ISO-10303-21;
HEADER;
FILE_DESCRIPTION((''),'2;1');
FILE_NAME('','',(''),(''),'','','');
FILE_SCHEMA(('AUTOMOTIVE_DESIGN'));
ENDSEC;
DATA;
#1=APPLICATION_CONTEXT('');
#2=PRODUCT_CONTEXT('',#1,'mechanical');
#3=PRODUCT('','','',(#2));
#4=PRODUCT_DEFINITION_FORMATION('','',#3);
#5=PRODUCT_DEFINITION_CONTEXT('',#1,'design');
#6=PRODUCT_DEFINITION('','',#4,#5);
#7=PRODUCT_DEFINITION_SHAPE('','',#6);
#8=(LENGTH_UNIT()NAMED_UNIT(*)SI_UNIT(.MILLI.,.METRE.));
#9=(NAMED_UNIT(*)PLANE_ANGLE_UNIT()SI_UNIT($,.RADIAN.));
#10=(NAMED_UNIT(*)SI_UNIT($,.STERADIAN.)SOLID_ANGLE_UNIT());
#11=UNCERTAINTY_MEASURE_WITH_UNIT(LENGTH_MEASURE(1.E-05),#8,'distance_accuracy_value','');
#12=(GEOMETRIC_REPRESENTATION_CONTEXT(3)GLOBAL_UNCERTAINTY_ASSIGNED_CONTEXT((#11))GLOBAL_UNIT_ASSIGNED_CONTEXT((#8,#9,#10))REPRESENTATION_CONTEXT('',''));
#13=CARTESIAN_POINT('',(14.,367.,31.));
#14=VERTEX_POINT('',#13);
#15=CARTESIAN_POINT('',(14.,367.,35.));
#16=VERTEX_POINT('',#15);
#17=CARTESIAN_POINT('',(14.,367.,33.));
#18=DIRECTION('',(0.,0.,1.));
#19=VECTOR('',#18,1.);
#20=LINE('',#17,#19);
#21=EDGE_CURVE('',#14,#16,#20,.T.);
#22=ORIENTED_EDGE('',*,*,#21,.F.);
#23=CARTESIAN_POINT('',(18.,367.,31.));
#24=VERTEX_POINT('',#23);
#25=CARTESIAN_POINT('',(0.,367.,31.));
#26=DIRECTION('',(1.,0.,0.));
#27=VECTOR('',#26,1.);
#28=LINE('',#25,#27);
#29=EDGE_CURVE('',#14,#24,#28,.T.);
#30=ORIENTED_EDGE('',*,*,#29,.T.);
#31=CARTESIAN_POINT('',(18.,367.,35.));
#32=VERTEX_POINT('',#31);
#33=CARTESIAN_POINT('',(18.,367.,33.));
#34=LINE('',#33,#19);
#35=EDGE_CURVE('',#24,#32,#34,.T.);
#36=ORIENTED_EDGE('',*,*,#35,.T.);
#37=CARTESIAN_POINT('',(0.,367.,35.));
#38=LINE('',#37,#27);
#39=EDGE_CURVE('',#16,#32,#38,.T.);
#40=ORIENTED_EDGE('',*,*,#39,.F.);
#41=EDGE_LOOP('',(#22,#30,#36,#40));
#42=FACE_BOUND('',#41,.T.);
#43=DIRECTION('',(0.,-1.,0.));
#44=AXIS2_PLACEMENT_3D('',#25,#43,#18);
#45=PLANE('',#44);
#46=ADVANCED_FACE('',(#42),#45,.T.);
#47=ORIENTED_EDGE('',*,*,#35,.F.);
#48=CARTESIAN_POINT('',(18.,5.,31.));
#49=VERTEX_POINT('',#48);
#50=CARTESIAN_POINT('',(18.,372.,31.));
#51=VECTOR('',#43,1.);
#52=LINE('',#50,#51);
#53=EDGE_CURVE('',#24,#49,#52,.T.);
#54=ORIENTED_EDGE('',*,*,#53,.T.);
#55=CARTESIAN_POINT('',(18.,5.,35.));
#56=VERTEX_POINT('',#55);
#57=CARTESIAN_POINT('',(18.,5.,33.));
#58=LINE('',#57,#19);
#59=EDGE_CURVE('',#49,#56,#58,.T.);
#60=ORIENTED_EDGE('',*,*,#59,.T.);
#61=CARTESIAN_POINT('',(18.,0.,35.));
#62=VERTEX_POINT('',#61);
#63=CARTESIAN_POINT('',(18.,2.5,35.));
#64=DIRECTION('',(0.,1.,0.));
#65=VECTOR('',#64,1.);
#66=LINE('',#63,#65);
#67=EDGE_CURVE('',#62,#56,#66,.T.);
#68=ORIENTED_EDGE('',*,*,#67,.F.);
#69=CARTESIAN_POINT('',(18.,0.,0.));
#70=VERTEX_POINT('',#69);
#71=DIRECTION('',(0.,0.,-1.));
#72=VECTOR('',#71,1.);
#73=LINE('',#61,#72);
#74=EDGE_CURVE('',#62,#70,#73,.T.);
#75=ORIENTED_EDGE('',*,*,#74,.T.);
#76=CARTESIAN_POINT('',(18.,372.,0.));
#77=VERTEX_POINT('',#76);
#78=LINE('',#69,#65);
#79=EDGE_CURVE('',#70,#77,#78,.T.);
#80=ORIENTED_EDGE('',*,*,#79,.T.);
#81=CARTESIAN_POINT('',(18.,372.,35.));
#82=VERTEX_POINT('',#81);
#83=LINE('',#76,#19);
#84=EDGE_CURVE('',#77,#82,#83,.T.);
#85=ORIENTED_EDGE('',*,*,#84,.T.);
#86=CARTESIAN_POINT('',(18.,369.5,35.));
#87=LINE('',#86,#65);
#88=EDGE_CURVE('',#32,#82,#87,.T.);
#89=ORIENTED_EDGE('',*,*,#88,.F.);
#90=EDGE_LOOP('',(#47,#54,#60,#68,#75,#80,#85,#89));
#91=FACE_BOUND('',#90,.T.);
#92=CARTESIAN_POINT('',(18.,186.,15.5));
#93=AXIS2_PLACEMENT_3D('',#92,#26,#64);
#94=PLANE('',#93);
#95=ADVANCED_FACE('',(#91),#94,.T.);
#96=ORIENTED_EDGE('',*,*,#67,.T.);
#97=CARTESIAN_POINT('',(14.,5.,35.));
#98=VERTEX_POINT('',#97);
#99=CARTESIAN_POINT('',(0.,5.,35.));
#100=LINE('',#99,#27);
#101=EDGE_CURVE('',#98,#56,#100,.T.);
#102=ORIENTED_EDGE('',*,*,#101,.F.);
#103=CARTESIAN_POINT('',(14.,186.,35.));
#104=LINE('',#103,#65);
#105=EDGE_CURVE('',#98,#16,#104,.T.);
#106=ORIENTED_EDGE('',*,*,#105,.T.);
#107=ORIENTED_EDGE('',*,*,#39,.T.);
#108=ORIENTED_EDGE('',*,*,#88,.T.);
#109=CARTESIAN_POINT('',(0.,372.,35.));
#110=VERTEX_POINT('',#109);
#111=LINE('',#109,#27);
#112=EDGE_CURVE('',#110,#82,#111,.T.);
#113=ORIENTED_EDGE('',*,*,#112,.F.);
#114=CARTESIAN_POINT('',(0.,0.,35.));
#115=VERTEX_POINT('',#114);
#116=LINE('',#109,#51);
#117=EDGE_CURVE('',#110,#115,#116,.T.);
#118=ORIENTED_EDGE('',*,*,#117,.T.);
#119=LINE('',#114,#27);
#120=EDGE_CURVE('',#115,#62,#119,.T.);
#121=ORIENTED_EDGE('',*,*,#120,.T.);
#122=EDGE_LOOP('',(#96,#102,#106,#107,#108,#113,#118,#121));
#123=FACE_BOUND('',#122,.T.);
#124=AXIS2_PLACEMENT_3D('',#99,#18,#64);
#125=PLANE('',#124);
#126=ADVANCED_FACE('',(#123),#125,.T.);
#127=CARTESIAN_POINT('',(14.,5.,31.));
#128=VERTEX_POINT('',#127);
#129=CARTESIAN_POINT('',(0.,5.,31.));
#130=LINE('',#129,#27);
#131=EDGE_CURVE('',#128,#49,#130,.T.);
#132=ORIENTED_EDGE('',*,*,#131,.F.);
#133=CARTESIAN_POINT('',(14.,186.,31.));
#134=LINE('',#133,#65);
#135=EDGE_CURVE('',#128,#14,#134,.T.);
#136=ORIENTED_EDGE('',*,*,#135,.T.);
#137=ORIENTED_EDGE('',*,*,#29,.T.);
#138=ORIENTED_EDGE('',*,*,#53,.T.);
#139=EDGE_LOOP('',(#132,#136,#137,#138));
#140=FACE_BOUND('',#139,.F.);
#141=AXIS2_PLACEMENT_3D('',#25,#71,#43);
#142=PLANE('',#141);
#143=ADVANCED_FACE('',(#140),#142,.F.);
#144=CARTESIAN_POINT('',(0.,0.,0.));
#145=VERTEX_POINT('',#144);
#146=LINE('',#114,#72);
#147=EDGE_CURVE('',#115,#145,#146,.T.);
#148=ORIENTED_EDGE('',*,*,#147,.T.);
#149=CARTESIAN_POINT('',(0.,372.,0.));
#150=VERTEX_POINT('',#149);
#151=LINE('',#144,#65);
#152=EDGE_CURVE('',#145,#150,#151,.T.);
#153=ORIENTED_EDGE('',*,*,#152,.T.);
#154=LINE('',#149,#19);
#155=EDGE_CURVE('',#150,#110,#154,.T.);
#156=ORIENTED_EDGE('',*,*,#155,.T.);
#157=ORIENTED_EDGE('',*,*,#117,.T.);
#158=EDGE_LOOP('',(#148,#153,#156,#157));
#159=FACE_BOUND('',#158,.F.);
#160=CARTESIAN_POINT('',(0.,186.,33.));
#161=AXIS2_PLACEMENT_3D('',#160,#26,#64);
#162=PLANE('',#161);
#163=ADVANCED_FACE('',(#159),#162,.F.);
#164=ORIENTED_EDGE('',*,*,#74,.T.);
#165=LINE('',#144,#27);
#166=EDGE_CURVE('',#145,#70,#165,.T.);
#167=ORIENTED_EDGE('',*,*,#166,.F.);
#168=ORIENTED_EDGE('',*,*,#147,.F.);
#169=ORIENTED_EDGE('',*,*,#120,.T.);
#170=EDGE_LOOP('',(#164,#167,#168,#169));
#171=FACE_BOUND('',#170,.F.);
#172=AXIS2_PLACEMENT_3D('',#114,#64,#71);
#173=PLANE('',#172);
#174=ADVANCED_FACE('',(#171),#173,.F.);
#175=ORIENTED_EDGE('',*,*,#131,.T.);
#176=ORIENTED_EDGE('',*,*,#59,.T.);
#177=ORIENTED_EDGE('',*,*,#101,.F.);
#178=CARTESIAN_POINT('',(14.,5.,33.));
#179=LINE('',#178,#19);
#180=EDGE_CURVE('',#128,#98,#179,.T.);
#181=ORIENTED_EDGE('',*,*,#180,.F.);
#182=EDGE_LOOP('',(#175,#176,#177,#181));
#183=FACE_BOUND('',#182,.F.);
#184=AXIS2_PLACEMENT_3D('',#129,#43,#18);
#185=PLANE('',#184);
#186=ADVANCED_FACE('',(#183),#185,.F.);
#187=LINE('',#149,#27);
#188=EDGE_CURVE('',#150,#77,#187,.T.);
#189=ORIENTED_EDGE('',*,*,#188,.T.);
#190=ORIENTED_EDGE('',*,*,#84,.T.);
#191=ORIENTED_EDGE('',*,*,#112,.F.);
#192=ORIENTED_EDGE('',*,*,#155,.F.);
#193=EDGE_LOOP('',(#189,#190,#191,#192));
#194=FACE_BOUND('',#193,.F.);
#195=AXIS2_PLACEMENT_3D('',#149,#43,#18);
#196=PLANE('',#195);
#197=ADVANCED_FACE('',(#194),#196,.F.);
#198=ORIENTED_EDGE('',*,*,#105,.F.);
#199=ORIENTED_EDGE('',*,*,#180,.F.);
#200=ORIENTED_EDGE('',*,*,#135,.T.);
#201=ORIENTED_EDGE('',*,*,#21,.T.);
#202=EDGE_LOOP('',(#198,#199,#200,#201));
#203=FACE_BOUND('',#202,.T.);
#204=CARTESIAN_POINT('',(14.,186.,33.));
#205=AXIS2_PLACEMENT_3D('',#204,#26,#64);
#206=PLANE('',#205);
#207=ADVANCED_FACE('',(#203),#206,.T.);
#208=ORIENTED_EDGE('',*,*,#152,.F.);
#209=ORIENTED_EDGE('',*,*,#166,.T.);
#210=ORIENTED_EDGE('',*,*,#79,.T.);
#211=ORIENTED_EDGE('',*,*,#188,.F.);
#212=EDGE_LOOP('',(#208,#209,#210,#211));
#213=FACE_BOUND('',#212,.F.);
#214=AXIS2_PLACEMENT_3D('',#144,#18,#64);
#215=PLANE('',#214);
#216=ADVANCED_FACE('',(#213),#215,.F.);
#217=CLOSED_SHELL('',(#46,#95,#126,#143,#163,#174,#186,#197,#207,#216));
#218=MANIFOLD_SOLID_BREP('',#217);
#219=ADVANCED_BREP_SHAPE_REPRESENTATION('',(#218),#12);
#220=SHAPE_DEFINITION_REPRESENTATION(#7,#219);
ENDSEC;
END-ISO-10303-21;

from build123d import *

# Parameters (mm, degrees)
F0_W     = 5
F0_H     = 4
F1_DEPTH = 18
F0_W_2   = 362
F2_DEPTH = 14


with BuildPart() as f1:
    # F0 (on Right) → F1 (new body)
    with BuildSketch(Plane.YZ):
        Polygon((0, 31), (0, 0), (372, 0), (372, 31), (367, 31), (5, 31), align=None)
        with Locations((2.5, 33)):
            Rectangle(F0_W, F0_H)
        with Locations((369.5, 33)):
            Rectangle(F0_W, F0_H)
    extrude(amount=F1_DEPTH)

    # F0 (on Right) → F2 (join)
    with BuildSketch(Plane.YZ):
        with Locations((186, 33)):
            Rectangle(F0_W_2, F0_H)
    extrude(amount=F2_DEPTH)


solid = f1.part
